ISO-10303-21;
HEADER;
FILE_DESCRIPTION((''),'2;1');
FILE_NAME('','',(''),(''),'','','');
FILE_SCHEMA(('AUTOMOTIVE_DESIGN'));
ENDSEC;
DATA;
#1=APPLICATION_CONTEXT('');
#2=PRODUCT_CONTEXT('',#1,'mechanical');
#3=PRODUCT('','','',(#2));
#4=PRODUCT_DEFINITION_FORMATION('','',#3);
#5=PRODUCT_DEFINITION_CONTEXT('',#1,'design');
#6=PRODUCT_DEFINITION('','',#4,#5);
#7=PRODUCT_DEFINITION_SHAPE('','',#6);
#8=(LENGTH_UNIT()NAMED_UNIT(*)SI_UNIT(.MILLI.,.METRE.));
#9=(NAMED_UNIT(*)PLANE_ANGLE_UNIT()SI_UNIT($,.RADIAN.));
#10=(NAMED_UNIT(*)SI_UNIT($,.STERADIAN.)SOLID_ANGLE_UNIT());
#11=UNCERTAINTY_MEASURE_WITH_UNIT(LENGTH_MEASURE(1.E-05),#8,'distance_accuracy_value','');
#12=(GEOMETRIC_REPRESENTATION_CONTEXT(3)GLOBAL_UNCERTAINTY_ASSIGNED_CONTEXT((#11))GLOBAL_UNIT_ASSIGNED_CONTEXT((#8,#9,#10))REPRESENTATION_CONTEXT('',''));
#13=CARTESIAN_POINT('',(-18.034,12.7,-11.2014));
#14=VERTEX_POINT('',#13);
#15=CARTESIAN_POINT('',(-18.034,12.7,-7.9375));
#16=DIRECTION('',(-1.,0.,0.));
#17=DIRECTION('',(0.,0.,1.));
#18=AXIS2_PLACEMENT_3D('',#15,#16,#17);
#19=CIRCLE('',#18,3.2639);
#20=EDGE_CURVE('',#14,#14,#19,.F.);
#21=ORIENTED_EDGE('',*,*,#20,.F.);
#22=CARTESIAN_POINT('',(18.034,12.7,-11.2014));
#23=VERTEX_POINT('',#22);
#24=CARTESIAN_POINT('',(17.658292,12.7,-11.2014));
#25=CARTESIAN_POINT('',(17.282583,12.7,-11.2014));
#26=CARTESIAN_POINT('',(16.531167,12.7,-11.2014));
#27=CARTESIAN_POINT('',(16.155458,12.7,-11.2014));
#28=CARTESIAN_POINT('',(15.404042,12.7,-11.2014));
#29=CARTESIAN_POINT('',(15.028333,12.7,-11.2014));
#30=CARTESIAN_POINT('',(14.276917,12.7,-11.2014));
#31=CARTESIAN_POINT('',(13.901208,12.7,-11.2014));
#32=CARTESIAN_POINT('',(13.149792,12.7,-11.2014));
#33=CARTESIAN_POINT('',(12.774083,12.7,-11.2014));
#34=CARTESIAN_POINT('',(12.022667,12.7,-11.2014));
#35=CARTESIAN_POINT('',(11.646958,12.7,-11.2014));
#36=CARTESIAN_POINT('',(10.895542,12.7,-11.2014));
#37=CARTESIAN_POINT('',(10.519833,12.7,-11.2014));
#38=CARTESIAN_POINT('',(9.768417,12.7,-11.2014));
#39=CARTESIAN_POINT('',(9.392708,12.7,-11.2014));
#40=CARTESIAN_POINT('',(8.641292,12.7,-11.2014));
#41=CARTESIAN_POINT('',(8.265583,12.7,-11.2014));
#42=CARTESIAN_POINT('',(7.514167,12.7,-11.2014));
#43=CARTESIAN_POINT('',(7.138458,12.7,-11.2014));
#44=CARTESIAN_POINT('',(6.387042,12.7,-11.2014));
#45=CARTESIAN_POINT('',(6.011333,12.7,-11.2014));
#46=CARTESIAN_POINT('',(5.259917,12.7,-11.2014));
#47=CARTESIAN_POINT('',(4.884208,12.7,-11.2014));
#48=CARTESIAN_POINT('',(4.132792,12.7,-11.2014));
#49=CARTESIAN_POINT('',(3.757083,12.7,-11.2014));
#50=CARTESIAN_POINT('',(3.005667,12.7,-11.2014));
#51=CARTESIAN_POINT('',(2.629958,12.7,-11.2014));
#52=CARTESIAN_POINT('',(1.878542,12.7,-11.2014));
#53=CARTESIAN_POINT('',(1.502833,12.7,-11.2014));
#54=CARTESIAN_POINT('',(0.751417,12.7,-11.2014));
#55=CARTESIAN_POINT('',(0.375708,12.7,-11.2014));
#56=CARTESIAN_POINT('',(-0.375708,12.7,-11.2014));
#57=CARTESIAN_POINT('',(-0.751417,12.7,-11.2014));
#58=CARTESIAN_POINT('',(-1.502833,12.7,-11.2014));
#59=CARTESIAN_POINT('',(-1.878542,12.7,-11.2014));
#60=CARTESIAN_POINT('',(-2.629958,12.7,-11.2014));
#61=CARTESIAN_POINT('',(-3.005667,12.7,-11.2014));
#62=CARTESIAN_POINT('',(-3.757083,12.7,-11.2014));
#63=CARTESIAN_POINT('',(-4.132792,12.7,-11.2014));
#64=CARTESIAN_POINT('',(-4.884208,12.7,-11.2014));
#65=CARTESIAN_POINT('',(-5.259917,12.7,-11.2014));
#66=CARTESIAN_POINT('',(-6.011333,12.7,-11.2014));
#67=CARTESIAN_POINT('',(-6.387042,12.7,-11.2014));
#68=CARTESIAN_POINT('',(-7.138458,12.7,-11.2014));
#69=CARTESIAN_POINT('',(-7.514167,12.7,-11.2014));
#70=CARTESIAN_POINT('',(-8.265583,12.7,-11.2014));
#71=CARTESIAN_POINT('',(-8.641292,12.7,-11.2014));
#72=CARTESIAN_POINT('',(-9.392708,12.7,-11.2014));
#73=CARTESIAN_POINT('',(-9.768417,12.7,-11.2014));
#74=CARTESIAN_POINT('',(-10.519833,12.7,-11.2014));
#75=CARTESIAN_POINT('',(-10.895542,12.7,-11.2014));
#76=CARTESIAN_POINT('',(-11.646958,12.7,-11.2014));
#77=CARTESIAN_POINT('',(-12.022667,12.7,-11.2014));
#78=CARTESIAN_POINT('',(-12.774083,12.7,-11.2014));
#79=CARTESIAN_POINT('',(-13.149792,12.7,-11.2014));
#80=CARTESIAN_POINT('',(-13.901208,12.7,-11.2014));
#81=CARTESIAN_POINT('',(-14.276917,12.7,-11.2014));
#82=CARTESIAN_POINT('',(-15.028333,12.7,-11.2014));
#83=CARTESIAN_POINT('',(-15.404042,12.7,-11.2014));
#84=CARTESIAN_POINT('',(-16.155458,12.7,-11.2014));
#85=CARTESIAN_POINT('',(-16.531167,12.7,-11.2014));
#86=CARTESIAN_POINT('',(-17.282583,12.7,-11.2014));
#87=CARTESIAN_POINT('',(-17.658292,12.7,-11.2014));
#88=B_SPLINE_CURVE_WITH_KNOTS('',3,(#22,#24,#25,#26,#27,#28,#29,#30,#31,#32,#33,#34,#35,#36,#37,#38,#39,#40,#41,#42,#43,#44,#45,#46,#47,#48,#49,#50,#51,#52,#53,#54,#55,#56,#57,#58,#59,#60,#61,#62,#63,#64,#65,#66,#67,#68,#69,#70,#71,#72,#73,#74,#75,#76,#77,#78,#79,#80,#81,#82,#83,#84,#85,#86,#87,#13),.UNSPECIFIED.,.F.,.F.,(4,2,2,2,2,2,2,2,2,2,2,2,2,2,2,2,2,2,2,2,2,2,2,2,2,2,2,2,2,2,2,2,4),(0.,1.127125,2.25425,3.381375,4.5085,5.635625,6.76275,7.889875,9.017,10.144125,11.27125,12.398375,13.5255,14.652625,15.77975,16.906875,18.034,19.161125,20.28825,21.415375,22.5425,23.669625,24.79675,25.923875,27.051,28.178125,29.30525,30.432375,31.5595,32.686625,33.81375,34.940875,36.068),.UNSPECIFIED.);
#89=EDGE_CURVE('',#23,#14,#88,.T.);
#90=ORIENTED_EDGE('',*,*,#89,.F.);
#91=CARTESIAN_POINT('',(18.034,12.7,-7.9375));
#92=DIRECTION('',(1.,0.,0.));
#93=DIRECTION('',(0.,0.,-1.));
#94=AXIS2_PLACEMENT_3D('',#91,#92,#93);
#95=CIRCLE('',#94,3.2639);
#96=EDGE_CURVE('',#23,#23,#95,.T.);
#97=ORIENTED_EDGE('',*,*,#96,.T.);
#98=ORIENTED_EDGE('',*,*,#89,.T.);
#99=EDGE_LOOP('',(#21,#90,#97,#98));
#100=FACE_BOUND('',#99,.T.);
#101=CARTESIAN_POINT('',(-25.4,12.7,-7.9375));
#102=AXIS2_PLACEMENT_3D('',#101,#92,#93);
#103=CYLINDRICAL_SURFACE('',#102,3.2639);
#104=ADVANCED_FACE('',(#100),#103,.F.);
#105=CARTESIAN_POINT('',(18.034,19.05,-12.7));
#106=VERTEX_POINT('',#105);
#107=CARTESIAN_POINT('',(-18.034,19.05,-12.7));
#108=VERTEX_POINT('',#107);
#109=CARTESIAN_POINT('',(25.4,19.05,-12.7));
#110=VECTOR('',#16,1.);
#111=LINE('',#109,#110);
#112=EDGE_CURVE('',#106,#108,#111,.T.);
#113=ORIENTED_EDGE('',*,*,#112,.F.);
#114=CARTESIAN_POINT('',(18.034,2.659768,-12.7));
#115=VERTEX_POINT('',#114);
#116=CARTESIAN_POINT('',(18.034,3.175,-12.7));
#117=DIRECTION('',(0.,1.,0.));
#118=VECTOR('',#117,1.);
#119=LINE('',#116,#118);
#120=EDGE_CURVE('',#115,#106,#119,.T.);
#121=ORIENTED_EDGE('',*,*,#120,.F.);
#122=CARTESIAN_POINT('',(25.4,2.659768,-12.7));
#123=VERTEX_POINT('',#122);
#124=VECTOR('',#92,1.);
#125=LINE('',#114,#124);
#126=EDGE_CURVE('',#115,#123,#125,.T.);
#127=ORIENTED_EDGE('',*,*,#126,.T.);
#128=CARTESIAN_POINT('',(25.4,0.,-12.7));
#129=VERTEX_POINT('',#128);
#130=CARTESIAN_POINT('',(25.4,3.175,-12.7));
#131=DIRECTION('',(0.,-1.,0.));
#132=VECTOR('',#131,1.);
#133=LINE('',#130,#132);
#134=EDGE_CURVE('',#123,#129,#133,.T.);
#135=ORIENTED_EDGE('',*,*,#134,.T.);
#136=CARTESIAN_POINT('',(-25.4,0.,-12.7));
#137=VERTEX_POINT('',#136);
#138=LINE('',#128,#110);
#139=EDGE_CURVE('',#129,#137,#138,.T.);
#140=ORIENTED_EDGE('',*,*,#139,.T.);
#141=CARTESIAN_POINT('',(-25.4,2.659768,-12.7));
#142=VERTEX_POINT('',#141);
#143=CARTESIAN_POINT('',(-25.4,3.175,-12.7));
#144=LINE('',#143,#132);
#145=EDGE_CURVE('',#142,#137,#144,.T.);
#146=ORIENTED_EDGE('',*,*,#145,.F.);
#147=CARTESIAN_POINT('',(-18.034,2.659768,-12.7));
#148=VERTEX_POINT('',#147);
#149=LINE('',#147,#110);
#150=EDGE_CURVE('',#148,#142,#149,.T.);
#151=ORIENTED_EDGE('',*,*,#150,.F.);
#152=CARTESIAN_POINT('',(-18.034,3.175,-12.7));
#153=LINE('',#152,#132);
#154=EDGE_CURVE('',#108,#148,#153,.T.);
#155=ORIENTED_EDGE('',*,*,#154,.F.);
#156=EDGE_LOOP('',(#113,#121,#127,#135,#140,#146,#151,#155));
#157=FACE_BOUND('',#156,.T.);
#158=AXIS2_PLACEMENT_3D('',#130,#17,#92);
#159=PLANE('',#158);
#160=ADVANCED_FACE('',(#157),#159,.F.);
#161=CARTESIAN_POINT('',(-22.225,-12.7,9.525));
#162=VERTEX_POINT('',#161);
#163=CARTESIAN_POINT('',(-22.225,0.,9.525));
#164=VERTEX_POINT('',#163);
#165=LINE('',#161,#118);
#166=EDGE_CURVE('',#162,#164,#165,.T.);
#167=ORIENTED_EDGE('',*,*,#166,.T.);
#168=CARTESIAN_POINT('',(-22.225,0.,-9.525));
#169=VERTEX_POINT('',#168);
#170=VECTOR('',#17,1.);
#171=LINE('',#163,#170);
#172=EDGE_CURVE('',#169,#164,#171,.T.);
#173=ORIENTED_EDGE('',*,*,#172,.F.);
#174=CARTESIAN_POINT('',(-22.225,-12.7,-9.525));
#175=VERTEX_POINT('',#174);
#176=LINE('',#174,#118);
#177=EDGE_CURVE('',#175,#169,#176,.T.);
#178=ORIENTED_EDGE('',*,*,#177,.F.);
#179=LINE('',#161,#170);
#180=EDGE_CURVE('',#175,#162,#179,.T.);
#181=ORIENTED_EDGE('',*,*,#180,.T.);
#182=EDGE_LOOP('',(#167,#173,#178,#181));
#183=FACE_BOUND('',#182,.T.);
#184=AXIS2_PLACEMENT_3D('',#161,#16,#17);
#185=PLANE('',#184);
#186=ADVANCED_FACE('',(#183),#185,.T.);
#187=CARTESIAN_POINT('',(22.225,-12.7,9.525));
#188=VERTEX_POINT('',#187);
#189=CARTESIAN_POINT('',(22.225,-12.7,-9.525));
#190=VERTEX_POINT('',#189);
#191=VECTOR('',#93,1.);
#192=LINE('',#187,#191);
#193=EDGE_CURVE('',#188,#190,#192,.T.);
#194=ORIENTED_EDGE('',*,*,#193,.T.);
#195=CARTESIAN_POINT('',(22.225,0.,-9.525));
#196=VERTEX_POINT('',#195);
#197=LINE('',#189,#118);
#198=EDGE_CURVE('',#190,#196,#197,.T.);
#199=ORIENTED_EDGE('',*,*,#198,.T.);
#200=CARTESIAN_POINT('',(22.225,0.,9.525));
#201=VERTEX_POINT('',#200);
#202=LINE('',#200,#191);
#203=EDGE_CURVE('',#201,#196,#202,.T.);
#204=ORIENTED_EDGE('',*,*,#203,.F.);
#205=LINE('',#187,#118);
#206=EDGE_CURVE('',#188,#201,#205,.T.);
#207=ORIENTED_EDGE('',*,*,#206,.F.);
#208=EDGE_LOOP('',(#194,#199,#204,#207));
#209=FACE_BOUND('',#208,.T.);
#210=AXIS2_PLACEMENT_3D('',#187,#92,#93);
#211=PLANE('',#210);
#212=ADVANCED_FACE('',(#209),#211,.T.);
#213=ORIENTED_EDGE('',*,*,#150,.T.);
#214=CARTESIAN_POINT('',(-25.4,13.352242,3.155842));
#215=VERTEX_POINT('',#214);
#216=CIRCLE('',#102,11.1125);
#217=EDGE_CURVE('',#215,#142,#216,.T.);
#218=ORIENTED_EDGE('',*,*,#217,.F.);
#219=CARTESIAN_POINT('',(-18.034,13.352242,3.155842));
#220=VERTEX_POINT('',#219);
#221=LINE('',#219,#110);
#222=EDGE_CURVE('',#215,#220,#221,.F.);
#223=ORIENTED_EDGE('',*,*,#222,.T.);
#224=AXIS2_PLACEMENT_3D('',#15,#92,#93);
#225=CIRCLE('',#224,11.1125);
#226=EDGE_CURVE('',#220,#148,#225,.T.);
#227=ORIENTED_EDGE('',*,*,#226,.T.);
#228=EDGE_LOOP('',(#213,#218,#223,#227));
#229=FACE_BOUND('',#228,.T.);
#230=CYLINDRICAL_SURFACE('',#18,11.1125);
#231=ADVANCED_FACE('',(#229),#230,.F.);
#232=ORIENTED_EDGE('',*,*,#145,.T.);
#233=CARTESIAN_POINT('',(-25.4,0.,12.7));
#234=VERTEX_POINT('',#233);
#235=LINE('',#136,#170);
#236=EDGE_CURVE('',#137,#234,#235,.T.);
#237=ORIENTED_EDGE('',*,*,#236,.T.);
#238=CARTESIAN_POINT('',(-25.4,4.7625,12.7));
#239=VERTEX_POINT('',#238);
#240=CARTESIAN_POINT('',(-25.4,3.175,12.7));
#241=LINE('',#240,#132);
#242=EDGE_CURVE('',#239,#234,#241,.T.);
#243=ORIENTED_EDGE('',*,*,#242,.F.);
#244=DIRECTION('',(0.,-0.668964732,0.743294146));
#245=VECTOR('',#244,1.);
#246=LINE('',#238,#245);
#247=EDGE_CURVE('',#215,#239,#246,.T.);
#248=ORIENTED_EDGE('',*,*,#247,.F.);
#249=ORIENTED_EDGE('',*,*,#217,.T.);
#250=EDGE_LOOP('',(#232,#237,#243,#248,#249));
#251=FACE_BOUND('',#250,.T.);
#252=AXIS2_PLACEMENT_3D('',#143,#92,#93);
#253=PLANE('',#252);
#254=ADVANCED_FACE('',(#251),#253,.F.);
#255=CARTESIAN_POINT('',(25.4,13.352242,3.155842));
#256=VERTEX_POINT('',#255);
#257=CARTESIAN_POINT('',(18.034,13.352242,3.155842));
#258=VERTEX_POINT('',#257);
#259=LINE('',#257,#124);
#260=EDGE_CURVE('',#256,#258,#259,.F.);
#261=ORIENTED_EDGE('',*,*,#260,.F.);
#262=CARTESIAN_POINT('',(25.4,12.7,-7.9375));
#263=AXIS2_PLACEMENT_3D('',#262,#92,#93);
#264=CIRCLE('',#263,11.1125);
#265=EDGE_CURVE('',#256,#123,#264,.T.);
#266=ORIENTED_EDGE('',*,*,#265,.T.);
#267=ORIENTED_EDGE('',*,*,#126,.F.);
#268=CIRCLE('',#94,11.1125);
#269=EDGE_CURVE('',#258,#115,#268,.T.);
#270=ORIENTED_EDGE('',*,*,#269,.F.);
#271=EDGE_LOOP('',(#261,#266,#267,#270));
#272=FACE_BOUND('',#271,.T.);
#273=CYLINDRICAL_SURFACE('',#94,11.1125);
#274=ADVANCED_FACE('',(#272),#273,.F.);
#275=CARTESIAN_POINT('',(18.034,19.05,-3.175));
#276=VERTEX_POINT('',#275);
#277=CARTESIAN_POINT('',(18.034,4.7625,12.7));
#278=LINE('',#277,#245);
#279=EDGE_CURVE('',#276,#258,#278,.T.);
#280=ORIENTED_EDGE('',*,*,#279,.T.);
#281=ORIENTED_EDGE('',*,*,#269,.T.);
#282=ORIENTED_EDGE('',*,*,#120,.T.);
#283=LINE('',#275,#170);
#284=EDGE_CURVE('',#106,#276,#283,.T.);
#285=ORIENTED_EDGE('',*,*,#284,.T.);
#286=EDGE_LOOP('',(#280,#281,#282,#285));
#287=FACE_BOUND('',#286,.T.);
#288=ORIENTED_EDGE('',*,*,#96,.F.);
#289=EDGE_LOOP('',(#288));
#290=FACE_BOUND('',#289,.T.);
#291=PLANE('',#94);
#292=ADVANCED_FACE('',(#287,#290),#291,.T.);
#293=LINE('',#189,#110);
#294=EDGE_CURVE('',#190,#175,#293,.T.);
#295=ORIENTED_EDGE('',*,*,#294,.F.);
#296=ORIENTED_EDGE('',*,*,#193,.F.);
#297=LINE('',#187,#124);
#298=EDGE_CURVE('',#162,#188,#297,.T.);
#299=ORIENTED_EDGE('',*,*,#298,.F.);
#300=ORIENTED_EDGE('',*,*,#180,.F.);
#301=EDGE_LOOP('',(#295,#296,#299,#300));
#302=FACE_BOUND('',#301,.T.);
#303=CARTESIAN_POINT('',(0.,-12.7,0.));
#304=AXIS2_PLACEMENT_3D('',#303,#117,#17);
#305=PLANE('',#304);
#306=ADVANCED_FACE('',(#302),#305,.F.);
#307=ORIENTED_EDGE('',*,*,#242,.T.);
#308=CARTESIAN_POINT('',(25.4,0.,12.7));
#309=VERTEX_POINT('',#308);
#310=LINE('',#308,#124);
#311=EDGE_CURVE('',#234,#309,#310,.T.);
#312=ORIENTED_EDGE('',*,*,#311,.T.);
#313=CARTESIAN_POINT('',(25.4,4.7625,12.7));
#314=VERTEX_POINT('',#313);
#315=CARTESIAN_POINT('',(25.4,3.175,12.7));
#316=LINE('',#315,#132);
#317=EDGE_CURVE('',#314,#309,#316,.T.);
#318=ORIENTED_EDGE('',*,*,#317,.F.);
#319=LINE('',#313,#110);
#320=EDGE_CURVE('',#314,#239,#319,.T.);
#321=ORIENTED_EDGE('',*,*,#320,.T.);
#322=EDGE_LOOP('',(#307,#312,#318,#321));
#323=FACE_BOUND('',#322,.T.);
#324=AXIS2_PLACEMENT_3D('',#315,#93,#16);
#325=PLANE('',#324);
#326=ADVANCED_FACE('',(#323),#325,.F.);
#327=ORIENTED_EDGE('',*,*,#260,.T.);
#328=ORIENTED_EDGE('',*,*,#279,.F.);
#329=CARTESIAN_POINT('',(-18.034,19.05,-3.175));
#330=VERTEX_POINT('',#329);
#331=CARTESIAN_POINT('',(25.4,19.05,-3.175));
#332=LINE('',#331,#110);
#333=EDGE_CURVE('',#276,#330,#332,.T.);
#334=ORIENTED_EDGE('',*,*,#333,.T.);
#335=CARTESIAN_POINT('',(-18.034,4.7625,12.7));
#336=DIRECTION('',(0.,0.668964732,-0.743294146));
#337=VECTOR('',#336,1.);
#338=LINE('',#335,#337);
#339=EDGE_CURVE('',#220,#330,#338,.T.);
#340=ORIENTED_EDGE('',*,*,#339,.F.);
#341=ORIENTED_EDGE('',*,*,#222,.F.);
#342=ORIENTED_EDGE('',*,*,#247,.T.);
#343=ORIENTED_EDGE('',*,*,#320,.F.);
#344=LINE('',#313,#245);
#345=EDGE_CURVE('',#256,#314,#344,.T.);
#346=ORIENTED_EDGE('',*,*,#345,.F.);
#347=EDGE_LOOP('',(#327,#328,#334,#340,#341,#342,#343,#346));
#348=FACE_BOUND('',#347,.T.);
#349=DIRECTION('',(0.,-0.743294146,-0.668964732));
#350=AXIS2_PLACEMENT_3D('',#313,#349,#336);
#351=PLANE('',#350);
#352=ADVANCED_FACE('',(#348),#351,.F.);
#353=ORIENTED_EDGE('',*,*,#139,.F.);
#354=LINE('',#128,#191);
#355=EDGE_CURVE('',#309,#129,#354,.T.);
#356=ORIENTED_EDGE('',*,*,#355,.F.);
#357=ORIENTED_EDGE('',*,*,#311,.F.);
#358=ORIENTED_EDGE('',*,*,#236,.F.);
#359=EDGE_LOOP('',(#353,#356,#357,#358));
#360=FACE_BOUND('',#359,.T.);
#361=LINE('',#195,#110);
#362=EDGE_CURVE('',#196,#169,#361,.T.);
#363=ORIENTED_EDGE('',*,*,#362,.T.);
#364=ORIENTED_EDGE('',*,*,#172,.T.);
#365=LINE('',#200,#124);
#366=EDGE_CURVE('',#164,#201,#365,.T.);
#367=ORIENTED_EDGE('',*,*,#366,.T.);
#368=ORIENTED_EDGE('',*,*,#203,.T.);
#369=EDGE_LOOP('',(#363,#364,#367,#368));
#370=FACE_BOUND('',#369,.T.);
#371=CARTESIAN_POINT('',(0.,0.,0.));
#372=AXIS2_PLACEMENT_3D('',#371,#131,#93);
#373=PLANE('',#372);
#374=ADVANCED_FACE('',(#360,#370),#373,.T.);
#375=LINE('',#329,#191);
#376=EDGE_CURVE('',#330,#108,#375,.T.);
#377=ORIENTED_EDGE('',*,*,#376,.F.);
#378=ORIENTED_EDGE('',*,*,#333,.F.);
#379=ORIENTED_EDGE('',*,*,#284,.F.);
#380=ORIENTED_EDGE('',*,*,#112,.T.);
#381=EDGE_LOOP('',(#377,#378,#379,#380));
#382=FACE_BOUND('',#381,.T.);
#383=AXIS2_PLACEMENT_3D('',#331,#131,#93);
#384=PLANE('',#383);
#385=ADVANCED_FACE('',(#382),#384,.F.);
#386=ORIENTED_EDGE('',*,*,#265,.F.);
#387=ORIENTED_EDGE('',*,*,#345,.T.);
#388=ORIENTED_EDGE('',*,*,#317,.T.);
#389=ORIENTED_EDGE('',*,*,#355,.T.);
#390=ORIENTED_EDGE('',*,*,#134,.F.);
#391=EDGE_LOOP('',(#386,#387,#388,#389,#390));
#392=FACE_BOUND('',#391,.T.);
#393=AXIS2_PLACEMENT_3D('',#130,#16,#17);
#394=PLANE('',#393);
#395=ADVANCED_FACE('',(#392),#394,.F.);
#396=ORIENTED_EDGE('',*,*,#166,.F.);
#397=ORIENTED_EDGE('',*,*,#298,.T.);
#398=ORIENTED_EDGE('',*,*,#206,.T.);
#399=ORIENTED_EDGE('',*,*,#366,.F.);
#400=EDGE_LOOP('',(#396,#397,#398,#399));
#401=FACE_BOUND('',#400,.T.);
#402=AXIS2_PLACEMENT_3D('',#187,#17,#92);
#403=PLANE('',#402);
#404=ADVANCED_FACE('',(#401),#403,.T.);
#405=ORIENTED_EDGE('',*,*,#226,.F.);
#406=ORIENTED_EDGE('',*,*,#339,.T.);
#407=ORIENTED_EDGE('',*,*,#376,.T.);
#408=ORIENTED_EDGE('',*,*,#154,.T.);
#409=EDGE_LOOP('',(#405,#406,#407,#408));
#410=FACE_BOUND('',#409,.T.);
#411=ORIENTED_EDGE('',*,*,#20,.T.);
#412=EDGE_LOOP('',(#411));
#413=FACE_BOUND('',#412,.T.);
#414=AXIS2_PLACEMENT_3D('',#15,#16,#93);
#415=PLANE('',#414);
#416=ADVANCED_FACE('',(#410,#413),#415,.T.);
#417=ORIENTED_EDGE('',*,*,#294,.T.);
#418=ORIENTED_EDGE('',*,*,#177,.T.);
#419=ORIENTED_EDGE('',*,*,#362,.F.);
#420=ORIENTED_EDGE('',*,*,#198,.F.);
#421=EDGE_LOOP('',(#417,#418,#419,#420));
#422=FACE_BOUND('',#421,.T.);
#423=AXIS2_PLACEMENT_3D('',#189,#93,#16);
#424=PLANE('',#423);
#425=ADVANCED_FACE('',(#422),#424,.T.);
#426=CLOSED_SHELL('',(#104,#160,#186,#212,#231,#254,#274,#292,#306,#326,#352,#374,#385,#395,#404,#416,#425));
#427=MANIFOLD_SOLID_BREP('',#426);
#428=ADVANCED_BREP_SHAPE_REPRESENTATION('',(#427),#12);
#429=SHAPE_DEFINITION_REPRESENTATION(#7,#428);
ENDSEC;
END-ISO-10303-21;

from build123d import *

# Parameters (mm, degrees)
SKETCH2_W           = 44.45
SKETCH2_H           = 19.05
BOSS_EXTRUDE1_DEPTH = 12.7
SKETCH3_W           = 50.8
SKETCH3_H           = 25.4
BOSS_EXTRUDE2_DEPTH = 3.175
BOSS_EXTRUDE3_DEPTH = 25.4
SKETCH5_R           = 11.1125
CUT_EXTRUDE1_DEPTH  = 7.366
SKETCH6_R           = 3.2639
CUT_EXTRUDE2_DEPTH  = 50.098929275


with BuildPart() as part:
    # Sketch2 → Boss-Extrude1 (new body)
    with BuildSketch(Plane(origin=(0, 0, 0), x_dir=(1, 0, 0), z_dir=(0, 1, 0))):
        Rectangle(SKETCH2_W, SKETCH2_H)
    extrude(amount=-BOSS_EXTRUDE1_DEPTH)

    # Sketch3 → Boss-Extrude2 (add)
    with BuildSketch(Plane(origin=(0, 0, 0), x_dir=(1, 0, 0), z_dir=(0, 1, 0))):
        Rectangle(SKETCH3_W, SKETCH3_H)
    extrude(amount=BOSS_EXTRUDE2_DEPTH)

    # Sketch4 → Boss-Extrude3 (add, symmetric)
    with BuildSketch(Plane(origin=(0, 0, 0), x_dir=(0, 0, -1), z_dir=(1, 0, 0))):
        Polygon((-12.7, 3.175), (-12.7, 4.7625), (3.175, 19.05), (12.7, 19.05), (12.7, 3.175), align=None)
    extrude(amount=BOSS_EXTRUDE3_DEPTH, both=True)

    # Sketch5 → Cut-Extrude1 (cut)
    with BuildSketch(Plane(origin=(25.4, 0, 0), x_dir=(0, 0, -1), z_dir=(1, 0, 0))):
        with Locations((7.9375, 12.7)):
            Circle(SKETCH5_R)
    cut_extrude1 = extrude(amount=-CUT_EXTRUDE1_DEPTH, mode=Mode.SUBTRACT)

    # Sketch6 → Cut-Extrude2 (cut, through all)
    with BuildSketch(Plane(origin=(18.034, 0, 0), x_dir=(0, 0, -1), z_dir=(1, 0, 0))):
        with Locations((7.9375, 12.7)):
            Circle(SKETCH6_R)
    extrude(amount=-CUT_EXTRUDE2_DEPTH, mode=Mode.SUBTRACT)

    # Mirror1: Cut-Extrude1 across plane
    add(cut_extrude1.mirror(Plane(origin=(0, 0, 0), x_dir=(0, 0, 1), z_dir=(1, 0, 0))), mode=Mode.SUBTRACT)


solid = part.part
